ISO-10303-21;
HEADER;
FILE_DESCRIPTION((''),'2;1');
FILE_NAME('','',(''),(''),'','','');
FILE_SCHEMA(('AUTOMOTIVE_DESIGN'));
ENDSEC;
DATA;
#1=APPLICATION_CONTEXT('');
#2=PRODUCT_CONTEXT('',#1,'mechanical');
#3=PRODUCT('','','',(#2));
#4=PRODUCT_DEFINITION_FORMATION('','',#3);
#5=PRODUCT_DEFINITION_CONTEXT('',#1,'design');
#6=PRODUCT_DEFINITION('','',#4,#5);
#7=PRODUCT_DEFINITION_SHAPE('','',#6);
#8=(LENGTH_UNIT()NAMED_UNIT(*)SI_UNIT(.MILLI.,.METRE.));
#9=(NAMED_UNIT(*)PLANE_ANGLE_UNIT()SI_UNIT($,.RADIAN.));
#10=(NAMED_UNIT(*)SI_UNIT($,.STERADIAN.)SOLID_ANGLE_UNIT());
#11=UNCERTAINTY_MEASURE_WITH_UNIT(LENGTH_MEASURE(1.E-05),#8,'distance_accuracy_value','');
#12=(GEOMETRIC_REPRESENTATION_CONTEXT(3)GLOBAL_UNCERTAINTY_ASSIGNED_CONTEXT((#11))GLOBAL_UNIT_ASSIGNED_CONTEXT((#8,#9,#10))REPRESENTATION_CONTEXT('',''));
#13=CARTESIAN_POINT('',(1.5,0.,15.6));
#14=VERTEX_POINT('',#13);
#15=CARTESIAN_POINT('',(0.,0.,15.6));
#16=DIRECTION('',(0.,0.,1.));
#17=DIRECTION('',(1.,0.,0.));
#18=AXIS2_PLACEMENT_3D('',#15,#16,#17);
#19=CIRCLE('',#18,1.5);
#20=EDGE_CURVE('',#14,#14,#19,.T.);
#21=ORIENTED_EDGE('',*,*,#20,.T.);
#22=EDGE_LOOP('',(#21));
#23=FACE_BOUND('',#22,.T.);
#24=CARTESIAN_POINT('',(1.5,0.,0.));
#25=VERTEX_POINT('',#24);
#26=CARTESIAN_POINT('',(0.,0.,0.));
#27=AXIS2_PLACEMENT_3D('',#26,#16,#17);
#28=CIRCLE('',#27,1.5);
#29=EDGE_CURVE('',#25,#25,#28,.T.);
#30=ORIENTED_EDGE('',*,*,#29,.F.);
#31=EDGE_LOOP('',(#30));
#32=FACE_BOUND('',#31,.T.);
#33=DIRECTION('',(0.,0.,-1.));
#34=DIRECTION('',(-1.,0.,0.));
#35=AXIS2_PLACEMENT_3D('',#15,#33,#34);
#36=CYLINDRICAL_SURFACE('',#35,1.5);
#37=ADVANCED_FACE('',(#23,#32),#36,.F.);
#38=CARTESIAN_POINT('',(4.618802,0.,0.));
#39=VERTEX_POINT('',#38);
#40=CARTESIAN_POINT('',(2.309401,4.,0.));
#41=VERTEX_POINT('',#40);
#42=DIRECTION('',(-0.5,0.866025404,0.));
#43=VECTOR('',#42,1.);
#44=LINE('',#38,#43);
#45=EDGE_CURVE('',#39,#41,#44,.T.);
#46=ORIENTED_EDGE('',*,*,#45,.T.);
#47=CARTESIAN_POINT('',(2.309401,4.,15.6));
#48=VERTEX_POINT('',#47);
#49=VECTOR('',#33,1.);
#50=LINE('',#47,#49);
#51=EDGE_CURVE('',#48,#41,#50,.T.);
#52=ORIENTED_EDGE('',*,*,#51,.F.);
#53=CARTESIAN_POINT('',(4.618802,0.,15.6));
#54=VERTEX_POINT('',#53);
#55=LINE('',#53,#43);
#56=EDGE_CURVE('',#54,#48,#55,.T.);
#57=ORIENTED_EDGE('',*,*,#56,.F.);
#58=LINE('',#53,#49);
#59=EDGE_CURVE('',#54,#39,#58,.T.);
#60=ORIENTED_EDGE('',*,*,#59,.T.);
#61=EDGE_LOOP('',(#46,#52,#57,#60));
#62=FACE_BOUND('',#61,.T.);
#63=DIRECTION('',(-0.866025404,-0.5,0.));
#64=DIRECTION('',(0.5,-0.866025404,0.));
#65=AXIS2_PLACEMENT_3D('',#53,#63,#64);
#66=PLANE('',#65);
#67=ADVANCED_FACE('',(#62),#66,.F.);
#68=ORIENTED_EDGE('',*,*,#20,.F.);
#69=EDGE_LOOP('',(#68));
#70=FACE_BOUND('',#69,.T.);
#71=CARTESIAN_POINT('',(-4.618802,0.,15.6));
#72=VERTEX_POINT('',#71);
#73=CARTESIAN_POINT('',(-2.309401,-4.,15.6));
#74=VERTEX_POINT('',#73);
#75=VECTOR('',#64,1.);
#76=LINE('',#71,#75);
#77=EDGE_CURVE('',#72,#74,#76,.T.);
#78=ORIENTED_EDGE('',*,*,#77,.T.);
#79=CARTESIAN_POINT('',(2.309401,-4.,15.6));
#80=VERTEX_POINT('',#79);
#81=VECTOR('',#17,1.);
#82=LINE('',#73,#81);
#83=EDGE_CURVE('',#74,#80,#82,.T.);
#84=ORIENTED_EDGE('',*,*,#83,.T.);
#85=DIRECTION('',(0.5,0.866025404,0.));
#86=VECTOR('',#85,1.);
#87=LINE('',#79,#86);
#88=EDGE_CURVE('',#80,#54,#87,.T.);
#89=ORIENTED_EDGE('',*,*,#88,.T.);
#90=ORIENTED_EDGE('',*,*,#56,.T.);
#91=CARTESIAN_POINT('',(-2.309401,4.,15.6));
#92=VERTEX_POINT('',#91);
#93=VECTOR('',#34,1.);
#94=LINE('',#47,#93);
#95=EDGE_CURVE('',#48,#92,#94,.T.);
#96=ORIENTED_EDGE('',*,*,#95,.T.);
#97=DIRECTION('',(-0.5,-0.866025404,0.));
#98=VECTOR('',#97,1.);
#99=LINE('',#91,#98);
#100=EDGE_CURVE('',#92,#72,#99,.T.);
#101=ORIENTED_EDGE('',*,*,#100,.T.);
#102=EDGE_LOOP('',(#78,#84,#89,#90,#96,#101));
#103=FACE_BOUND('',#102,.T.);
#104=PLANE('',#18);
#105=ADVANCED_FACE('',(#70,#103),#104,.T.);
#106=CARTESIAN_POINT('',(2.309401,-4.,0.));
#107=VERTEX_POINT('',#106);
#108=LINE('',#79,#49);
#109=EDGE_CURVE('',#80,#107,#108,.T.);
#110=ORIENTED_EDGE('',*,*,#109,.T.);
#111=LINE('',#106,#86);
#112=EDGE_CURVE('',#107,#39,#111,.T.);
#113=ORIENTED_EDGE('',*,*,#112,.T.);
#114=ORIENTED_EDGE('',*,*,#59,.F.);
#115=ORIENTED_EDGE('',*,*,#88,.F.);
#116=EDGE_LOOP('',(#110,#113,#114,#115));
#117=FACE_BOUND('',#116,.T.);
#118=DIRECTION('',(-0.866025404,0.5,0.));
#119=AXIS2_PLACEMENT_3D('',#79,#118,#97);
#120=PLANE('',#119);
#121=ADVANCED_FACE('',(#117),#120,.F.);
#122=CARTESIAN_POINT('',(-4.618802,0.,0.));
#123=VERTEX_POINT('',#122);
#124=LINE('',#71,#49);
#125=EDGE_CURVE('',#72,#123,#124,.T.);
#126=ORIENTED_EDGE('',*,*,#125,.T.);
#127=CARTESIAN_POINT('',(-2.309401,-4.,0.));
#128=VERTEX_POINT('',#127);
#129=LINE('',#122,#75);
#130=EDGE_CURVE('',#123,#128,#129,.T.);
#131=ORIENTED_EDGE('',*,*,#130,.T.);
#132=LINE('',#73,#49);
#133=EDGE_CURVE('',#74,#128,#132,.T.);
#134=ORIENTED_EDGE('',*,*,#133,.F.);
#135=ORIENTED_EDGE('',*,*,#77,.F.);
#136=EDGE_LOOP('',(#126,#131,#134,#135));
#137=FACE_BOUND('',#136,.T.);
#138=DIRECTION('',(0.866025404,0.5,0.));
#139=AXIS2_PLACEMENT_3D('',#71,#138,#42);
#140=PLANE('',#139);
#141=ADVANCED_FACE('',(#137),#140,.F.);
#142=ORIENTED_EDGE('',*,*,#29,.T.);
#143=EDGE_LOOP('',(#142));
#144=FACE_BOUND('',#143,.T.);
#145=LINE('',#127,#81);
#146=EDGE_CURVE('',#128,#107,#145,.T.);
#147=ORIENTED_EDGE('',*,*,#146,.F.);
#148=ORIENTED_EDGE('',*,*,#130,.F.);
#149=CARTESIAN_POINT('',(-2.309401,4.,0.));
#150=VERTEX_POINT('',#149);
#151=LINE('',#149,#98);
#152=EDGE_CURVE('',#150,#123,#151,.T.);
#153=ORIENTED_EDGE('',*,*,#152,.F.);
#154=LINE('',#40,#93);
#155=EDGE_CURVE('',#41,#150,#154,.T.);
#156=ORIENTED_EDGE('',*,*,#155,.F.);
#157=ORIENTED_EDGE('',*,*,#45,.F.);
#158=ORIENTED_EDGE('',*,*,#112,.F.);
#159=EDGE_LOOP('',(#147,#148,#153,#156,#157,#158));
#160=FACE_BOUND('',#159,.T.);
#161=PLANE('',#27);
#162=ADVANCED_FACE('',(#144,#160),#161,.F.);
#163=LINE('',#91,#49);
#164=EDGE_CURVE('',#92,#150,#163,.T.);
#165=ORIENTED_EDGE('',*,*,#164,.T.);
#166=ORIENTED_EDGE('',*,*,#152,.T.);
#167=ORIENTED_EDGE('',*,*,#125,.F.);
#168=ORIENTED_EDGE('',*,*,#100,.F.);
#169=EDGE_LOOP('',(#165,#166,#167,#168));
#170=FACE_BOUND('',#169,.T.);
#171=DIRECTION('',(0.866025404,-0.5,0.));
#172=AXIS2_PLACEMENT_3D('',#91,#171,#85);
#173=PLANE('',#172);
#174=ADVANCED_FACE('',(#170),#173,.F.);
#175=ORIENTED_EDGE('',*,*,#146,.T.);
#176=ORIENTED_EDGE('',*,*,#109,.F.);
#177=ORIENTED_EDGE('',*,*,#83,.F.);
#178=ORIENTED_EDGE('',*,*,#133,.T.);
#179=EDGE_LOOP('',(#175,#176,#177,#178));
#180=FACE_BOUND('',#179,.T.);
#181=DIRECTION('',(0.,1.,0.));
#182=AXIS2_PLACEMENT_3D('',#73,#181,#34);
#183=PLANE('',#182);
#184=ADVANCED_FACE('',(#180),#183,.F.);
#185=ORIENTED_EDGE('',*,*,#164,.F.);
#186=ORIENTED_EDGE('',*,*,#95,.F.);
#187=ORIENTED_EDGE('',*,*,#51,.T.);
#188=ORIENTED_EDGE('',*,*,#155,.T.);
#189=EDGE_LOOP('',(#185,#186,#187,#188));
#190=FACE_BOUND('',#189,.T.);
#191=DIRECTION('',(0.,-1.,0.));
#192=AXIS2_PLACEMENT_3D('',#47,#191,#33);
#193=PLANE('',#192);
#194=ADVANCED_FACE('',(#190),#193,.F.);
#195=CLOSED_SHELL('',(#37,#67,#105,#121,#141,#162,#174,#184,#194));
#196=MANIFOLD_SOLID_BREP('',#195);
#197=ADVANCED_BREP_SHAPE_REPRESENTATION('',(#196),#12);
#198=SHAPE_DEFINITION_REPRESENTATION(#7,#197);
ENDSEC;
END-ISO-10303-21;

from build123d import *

# Parameters (mm, degrees)
SKETCH_1_R      = 1.5
EXTRUDE_1_DEPTH = 15.6


with BuildPart() as part:
    # 草图1 → 凸台-拉伸1 (new body)
    with BuildSketch(Plane.XY):
        Polygon((2.309401077, 4), (-2.309401077, 4), (-4.618802154, 0), (-2.309401077, -4), (2.309401077, -4), (4.618802154, 0), align=None)
        Circle(SKETCH_1_R, mode=Mode.SUBTRACT)
    extrude(amount=EXTRUDE_1_DEPTH)


solid = part.part
